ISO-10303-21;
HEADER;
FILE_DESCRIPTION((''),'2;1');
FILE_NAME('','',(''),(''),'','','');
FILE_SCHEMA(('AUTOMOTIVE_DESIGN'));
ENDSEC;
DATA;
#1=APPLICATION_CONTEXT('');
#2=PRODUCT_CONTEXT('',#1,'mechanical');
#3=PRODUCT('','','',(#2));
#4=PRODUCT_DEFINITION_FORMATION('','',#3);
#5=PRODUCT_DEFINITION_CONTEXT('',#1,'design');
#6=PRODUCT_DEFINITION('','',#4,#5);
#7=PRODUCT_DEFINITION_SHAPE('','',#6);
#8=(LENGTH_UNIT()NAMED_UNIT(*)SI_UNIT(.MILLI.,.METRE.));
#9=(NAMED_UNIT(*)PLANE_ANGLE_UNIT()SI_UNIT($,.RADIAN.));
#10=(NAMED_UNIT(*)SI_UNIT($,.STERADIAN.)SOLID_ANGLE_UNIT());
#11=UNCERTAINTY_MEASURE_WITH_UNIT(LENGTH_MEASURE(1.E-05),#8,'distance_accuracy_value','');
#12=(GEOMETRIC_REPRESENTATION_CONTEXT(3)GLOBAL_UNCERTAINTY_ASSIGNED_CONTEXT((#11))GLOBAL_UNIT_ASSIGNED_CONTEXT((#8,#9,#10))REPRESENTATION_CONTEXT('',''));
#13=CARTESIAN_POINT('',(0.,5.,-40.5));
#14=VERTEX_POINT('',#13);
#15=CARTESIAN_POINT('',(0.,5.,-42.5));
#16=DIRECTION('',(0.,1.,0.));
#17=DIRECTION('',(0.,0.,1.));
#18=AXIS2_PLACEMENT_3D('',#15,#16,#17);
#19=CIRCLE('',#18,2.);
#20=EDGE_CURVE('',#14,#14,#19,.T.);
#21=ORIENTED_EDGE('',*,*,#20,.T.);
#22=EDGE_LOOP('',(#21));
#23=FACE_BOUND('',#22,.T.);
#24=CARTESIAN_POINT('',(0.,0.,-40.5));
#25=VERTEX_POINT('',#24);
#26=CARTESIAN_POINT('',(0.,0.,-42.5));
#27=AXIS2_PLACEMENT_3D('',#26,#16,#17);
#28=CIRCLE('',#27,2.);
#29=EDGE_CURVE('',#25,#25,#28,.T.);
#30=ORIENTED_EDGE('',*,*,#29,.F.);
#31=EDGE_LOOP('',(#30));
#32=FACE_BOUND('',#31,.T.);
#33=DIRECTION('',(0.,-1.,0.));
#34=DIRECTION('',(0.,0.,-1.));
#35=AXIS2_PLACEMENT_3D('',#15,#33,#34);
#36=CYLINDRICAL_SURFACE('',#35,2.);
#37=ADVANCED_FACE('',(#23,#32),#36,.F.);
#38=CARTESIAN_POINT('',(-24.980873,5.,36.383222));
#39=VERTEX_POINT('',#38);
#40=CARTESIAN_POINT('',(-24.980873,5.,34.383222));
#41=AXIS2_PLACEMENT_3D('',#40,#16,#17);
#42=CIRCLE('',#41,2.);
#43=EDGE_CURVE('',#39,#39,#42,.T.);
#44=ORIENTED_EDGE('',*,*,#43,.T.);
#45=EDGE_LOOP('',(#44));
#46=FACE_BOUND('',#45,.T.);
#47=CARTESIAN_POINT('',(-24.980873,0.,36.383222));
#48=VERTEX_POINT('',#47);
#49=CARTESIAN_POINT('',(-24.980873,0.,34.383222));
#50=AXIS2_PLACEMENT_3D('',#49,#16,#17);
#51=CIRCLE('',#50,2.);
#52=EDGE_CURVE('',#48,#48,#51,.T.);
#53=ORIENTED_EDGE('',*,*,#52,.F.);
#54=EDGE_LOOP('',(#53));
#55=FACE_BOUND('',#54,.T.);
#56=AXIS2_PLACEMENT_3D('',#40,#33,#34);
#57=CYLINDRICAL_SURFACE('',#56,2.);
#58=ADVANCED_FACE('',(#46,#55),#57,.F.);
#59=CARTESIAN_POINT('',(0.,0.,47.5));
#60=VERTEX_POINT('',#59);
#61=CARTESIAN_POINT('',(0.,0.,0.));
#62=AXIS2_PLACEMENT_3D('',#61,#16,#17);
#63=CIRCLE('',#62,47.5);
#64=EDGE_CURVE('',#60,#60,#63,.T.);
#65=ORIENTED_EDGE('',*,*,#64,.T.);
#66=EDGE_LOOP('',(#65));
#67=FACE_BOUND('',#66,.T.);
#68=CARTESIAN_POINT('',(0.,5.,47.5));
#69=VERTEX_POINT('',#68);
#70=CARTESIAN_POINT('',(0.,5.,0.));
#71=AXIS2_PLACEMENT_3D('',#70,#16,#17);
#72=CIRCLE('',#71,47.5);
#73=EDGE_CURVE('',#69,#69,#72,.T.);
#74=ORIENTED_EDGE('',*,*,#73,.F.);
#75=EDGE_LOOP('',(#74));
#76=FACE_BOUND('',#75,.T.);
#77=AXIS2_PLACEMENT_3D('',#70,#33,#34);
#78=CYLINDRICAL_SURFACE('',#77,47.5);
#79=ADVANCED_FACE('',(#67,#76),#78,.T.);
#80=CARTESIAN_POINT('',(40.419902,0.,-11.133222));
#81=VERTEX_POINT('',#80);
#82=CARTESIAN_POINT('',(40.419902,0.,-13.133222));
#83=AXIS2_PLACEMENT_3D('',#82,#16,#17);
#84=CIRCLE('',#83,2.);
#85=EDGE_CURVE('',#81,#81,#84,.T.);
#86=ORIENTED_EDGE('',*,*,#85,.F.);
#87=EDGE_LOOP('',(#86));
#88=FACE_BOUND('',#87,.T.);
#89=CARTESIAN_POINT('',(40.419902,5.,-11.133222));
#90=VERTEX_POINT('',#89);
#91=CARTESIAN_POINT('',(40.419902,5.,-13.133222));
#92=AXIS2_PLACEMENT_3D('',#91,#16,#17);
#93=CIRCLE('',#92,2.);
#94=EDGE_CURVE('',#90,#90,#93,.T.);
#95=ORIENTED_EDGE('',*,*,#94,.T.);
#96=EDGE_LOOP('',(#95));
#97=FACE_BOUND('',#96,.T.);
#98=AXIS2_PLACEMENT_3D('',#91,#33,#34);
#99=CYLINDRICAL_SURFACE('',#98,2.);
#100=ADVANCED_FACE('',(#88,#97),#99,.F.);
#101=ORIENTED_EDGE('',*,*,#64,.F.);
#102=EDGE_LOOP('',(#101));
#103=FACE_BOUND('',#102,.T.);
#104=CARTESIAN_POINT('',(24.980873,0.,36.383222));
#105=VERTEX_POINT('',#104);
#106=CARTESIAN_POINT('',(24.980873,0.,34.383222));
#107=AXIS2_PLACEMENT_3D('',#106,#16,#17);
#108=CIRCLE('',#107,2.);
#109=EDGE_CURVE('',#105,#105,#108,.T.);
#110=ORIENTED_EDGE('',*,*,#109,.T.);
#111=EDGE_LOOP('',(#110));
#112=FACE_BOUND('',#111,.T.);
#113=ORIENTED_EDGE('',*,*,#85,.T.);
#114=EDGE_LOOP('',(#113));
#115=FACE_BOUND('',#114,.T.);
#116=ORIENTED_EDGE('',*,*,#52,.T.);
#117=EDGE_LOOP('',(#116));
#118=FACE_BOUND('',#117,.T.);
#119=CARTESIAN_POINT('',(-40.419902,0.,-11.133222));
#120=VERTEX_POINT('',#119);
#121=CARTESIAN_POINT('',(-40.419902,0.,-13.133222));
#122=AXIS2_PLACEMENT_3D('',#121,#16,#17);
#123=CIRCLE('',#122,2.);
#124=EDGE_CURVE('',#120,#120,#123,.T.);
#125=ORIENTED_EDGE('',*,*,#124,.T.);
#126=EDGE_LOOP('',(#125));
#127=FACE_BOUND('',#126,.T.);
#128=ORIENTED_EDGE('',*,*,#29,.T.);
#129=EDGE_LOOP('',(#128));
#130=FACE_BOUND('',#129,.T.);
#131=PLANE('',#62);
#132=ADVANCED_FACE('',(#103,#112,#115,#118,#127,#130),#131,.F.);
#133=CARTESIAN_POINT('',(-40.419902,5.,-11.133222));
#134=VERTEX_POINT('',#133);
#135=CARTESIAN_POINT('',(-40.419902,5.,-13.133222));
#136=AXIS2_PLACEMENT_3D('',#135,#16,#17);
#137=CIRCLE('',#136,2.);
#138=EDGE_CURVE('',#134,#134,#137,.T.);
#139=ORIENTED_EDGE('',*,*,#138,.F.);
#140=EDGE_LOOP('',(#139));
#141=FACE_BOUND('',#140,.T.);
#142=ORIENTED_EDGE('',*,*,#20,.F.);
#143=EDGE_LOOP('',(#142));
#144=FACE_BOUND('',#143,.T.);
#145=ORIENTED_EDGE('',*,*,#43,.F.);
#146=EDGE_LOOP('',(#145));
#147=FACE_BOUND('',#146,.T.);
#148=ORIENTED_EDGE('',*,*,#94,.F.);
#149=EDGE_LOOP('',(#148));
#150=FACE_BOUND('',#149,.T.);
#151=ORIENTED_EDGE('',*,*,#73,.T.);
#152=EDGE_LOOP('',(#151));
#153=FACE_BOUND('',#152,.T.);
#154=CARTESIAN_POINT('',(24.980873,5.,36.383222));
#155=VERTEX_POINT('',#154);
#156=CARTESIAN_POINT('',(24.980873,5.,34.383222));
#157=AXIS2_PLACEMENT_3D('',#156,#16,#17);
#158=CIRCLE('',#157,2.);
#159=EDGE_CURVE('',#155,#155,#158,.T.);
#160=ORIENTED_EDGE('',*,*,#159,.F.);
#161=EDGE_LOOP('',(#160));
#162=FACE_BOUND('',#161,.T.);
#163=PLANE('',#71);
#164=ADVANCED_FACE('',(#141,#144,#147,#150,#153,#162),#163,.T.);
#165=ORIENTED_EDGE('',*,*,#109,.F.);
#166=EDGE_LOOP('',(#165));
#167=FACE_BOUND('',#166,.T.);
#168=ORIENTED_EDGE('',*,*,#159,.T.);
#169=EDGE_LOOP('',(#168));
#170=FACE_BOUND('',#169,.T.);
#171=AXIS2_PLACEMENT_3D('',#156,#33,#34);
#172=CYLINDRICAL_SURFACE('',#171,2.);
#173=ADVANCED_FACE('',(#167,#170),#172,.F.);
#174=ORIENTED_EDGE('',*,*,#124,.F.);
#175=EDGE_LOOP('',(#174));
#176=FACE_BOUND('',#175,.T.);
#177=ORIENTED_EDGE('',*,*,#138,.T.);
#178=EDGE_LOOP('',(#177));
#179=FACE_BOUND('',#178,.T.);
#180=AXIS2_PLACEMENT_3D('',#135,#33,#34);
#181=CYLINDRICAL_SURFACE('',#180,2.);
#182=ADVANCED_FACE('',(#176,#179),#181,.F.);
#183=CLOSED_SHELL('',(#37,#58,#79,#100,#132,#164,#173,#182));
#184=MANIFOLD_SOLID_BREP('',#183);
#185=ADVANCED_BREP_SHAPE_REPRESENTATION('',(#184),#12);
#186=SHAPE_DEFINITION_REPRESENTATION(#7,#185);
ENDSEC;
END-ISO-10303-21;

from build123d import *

# Parameters (mm, degrees)
SKETCH1_R           = 47.5
SKETCH1_R_2         = 2
BOSS_EXTRUDE1_DEPTH = 5


with BuildPart() as part:
    # Sketch1 → Boss-Extrude1 (new body)
    with BuildSketch(Plane(origin=(0, 0, 0), x_dir=(1, 0, 0), z_dir=(0, 1, 0))):
        Circle(SKETCH1_R)
        with Locations((0, 42.5)):
            Circle(SKETCH1_R_2, mode=Mode.SUBTRACT)
        with Locations((40.419901943, 13.133222261)):
            Circle(SKETCH1_R_2, mode=Mode.SUBTRACT)
        with Locations((24.980873222, -34.383222261)):
            Circle(SKETCH1_R_2, mode=Mode.SUBTRACT)
        with Locations((-24.980873222, -34.383222261)):
            Circle(SKETCH1_R_2, mode=Mode.SUBTRACT)
        with Locations((-40.419901943, 13.133222261)):
            Circle(SKETCH1_R_2, mode=Mode.SUBTRACT)
    extrude(amount=BOSS_EXTRUDE1_DEPTH)


solid = part.part
